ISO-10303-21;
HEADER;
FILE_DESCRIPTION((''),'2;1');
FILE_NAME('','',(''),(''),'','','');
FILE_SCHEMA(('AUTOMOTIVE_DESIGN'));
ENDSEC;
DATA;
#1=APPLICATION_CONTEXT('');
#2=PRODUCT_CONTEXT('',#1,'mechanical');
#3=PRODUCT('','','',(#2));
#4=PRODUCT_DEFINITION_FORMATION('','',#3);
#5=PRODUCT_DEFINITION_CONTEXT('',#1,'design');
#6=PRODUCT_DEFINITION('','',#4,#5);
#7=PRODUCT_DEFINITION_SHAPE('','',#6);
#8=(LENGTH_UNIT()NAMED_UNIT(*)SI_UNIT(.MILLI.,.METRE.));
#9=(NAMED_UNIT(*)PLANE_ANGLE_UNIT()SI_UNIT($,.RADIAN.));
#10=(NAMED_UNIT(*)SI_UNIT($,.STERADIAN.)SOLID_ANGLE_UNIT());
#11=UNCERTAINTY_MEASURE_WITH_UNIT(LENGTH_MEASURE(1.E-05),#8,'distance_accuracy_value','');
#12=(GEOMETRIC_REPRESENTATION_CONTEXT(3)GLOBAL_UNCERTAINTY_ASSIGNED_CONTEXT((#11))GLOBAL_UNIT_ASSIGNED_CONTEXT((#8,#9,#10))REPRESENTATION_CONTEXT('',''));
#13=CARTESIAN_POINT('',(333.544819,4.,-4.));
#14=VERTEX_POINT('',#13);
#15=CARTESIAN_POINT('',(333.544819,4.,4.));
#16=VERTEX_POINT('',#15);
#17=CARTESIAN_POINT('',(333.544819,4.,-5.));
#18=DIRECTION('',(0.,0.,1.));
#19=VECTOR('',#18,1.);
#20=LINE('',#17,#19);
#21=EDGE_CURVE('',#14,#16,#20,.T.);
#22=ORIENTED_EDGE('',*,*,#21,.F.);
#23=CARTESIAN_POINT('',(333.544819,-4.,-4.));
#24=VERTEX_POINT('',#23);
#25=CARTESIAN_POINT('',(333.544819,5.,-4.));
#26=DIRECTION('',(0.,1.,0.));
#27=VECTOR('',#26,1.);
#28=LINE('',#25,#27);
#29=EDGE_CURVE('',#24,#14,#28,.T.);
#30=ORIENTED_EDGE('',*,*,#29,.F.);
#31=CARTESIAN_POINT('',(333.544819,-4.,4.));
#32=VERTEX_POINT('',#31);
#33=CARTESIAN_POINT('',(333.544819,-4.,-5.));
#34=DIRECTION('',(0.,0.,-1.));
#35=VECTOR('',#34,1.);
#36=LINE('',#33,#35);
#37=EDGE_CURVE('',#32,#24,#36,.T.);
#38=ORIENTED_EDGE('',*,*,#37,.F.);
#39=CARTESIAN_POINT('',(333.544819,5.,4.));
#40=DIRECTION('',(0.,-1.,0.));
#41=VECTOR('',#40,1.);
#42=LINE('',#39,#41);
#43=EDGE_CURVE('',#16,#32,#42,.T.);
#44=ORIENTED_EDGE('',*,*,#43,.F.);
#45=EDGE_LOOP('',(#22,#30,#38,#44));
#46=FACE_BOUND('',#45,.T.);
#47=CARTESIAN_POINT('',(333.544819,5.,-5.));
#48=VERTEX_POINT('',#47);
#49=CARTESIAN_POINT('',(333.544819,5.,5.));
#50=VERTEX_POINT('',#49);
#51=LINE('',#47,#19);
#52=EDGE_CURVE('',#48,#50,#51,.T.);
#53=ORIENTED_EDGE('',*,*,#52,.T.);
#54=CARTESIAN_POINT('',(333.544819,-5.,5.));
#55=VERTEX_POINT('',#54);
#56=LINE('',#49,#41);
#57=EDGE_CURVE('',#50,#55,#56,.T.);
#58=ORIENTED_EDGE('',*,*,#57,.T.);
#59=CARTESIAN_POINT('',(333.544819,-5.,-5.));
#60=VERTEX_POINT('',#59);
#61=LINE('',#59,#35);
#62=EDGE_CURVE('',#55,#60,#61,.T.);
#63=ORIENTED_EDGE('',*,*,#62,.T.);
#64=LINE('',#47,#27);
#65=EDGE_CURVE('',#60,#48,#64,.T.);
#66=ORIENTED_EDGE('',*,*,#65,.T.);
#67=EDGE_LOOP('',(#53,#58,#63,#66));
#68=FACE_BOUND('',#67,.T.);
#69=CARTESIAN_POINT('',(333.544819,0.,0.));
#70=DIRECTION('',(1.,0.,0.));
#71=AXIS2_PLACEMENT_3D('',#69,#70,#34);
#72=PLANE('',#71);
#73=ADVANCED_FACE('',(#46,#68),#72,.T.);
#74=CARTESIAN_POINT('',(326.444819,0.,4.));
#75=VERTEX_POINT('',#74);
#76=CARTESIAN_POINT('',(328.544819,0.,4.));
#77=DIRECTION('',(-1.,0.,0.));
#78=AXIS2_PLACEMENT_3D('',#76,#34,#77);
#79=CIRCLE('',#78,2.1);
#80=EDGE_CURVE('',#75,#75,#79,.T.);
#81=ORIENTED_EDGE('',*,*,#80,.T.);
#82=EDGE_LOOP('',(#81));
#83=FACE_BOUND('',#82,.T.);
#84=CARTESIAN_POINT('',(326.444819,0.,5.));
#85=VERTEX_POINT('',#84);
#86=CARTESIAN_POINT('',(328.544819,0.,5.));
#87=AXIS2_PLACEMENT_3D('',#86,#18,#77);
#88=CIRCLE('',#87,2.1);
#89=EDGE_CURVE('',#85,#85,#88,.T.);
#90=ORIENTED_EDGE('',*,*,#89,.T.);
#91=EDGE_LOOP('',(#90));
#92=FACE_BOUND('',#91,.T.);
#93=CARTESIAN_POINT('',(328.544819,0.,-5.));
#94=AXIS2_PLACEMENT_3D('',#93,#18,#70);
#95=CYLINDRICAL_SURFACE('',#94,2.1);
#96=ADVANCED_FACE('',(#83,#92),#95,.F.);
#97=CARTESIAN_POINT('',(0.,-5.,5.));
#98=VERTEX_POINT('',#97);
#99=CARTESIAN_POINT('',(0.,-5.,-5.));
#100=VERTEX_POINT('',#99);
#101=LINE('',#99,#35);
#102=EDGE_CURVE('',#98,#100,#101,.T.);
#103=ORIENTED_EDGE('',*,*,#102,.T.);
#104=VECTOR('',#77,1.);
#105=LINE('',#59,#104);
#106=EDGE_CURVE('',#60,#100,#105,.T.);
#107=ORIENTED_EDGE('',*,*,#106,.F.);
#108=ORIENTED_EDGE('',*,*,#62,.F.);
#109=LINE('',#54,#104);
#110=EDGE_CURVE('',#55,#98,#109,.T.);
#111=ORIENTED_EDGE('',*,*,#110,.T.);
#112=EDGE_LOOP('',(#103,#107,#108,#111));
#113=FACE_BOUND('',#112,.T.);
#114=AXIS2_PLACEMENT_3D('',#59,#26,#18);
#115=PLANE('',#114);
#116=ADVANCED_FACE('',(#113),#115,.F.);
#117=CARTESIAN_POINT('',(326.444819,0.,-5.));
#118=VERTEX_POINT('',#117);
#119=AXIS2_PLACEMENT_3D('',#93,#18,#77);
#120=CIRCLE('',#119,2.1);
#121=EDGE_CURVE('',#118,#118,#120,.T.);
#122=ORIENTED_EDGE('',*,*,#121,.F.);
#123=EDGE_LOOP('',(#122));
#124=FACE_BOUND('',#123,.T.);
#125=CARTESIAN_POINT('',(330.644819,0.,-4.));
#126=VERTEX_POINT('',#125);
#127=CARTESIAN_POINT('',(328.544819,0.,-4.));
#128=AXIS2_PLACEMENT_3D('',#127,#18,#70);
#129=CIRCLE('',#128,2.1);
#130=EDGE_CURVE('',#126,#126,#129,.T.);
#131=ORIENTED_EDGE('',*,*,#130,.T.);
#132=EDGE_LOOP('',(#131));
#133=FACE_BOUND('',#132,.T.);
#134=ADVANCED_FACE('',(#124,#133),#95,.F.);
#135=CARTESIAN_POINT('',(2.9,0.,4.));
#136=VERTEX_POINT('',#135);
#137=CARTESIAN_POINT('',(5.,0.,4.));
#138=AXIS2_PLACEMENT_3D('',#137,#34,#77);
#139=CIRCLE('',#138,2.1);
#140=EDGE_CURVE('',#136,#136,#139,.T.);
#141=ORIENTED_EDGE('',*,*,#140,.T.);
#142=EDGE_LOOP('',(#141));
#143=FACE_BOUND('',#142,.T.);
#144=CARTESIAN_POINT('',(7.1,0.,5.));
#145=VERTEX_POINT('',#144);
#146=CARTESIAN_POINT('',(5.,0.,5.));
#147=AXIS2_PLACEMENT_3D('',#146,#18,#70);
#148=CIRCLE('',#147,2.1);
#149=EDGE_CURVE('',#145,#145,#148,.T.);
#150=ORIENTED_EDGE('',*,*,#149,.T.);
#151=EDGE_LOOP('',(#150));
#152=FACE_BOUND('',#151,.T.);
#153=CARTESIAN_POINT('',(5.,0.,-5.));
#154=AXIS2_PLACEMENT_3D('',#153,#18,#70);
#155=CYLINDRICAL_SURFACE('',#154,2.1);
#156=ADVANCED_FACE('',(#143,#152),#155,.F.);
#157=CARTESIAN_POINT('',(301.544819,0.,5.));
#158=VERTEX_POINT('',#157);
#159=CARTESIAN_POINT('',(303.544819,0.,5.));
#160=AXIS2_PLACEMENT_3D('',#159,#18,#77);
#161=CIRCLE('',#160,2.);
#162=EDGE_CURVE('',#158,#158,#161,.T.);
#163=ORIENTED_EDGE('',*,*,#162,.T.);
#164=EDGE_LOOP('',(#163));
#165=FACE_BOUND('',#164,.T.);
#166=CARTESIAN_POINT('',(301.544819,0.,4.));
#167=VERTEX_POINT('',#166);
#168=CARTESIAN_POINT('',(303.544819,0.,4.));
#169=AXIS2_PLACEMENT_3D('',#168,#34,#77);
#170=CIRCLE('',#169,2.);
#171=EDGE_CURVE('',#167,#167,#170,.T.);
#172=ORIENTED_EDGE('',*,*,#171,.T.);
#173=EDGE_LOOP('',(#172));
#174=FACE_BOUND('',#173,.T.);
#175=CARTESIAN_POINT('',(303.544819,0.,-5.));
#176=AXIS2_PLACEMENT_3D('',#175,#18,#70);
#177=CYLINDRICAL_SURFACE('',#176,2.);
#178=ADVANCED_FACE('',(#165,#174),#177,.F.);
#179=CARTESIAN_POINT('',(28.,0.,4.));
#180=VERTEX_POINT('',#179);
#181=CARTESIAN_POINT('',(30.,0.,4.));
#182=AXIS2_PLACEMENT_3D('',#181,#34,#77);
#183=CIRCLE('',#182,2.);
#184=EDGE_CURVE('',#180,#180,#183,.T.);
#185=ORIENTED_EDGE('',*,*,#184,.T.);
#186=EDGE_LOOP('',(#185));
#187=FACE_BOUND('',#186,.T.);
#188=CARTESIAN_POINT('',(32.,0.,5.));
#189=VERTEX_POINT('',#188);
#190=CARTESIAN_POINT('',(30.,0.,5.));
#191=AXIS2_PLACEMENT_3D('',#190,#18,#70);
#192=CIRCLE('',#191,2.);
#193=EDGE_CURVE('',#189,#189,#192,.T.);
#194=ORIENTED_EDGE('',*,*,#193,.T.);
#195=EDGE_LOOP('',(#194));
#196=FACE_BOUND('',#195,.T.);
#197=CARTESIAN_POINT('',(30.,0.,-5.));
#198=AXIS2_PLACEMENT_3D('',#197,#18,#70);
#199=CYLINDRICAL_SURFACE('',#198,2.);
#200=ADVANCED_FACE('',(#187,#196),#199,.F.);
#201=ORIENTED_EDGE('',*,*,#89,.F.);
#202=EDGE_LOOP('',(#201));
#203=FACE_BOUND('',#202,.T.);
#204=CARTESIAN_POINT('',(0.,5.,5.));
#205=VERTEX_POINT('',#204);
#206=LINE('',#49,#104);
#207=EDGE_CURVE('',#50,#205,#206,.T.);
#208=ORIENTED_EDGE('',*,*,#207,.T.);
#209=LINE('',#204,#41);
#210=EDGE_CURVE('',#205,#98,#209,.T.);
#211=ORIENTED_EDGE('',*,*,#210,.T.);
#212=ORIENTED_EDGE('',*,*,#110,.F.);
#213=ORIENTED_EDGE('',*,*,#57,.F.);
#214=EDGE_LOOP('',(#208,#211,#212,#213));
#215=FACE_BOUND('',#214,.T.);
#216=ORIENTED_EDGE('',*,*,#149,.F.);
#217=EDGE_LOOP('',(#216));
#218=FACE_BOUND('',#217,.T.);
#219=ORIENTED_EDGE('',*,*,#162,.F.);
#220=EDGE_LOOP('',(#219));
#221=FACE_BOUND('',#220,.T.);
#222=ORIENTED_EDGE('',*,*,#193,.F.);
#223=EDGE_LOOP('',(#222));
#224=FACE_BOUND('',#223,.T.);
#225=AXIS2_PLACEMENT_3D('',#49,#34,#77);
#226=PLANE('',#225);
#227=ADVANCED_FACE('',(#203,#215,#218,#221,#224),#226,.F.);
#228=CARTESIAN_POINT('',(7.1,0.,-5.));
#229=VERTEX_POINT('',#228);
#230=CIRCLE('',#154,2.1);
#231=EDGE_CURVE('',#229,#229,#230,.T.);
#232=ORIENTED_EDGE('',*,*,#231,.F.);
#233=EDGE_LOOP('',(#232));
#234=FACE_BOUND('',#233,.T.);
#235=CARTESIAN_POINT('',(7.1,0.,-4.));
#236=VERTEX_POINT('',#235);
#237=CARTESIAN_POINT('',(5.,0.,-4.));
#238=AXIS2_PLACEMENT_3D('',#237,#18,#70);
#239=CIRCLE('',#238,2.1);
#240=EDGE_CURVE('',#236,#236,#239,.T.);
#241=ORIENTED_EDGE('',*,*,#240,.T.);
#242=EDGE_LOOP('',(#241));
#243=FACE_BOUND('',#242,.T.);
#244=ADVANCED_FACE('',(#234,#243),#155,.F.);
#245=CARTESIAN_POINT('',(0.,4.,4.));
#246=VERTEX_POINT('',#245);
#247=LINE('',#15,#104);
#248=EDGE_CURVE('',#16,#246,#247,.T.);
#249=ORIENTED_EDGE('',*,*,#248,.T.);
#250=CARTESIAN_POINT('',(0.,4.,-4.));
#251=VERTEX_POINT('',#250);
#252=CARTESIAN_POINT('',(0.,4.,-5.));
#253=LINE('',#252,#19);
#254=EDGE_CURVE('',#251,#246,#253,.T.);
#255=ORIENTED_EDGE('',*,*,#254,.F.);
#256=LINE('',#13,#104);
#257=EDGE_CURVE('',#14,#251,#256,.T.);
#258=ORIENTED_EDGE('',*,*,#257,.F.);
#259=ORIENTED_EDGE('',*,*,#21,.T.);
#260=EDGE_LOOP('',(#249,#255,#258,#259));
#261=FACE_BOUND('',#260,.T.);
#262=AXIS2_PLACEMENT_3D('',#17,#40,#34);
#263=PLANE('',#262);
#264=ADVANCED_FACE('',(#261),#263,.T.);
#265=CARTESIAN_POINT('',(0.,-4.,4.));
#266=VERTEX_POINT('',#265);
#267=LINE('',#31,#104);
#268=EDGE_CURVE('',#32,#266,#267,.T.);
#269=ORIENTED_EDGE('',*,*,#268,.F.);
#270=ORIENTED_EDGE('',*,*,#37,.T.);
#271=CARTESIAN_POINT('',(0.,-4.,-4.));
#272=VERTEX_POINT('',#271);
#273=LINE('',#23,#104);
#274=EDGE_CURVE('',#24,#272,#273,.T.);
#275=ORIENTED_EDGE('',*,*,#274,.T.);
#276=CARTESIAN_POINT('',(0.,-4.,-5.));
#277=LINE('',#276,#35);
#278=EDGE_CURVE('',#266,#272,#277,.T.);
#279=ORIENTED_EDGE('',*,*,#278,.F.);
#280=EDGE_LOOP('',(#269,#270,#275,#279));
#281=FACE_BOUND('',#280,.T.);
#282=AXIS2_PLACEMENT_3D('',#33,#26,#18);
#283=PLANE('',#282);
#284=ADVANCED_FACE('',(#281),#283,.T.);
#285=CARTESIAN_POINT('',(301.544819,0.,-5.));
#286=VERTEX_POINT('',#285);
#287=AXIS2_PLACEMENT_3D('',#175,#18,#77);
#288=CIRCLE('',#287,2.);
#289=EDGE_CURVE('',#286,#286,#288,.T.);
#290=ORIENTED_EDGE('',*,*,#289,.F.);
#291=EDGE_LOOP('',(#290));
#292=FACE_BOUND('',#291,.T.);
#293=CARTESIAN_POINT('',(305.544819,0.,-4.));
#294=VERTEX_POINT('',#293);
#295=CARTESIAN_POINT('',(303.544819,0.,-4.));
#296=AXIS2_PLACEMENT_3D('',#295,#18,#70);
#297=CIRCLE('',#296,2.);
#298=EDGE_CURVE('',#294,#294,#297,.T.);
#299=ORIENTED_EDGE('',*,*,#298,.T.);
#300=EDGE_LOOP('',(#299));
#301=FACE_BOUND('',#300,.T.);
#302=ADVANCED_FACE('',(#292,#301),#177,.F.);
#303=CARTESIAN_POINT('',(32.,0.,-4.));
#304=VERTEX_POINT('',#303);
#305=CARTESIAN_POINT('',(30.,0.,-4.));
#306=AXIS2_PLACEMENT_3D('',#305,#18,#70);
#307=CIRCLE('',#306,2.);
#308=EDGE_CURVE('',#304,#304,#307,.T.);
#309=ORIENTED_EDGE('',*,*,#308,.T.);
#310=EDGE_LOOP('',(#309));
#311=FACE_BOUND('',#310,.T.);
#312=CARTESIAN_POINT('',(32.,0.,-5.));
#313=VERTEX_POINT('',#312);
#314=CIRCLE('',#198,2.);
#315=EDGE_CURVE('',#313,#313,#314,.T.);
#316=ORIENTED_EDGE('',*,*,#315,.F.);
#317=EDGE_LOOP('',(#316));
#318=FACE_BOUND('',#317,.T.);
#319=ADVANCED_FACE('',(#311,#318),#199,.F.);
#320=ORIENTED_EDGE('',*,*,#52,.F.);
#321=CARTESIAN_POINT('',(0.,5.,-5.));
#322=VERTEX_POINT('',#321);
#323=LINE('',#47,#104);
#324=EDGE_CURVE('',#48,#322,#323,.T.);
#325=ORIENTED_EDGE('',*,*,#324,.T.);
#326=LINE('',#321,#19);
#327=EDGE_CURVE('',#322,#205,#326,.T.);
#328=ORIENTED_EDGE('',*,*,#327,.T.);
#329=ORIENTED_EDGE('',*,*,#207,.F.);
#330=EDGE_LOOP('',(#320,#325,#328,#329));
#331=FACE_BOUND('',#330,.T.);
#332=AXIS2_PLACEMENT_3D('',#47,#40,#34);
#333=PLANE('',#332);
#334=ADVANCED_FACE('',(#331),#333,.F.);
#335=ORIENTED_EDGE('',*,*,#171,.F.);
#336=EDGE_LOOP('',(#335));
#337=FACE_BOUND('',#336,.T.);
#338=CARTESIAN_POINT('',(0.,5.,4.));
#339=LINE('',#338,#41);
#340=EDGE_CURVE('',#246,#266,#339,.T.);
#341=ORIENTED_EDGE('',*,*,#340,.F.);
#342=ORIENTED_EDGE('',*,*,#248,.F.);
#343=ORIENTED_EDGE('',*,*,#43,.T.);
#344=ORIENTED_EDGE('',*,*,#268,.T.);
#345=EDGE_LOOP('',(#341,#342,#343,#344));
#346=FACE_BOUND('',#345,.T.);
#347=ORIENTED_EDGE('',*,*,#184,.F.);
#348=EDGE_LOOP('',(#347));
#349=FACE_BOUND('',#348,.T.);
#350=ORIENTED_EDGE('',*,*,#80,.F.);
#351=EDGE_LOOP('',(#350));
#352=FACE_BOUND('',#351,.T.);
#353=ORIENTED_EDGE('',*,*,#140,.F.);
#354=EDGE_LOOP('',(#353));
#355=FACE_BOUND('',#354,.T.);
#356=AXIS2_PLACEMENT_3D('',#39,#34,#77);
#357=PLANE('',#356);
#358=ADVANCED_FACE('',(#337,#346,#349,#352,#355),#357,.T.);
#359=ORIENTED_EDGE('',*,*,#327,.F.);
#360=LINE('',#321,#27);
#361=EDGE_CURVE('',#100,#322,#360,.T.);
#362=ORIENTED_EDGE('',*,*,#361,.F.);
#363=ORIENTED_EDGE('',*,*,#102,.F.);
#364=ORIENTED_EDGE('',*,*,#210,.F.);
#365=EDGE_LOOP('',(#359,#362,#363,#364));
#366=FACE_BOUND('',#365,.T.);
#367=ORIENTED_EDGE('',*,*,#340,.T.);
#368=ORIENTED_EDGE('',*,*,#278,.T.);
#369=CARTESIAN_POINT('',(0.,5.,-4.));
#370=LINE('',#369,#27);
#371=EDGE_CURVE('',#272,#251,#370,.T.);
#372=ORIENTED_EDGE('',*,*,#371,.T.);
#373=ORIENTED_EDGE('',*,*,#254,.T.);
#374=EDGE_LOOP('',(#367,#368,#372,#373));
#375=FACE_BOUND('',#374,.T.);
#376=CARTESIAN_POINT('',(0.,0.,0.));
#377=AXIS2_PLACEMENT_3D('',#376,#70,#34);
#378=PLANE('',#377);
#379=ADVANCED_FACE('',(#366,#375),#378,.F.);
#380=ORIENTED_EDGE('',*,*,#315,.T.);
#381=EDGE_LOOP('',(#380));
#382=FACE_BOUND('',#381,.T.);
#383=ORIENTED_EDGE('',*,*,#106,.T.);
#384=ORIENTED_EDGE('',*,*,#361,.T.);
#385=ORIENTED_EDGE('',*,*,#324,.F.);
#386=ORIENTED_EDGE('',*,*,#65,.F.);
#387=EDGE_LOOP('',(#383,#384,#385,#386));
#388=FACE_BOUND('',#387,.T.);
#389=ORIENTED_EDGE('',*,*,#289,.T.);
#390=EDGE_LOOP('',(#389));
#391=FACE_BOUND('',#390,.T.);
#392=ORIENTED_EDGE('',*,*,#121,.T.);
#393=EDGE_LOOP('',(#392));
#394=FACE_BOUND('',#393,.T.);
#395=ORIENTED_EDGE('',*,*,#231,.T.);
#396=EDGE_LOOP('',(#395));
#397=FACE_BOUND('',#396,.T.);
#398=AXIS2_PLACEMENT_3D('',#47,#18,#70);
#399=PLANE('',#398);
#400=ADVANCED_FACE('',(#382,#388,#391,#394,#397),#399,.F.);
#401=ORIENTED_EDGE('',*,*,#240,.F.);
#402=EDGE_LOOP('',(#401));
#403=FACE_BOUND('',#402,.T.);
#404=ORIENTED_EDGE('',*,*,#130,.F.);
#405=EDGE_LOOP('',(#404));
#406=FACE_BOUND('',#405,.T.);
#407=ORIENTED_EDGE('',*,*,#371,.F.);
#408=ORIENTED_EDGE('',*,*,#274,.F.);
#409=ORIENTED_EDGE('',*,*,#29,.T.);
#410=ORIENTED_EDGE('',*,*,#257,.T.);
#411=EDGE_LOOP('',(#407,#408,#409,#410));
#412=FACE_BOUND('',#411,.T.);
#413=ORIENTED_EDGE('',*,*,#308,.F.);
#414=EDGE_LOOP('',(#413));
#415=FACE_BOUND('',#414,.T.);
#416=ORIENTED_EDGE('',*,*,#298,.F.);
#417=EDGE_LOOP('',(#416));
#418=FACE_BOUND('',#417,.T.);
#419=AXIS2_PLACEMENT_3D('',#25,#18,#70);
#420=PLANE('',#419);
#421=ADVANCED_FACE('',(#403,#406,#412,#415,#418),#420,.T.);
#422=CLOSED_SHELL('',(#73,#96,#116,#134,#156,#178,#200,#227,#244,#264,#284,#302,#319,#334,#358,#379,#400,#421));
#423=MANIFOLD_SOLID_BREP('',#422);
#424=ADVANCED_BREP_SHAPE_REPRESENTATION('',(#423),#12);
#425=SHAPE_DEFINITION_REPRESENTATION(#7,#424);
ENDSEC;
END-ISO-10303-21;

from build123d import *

# Parameters (mm, degrees)
SKETCH_1_W          = 10
SKETCH_1_H          = 10
SKETCH_1_W_2        = 8
SKETCH_1_H_2        = 8
EXTRUDE_1_DEPTH     = 333.544819152
SKETCH_2_R          = 2.1
SKETCH_2_R_2        = 2
CUT_EXTRUDE_1_DEPTH = 334.732147662


with BuildPart() as part:
    # ｽｹｯﾁ1 → 押し出し-薄板1 (new body)
    with BuildSketch(Plane(origin=(0, 0, 0), x_dir=(0, -1, 0), z_dir=(1, 0, 0))):
        Rectangle(SKETCH_1_W, SKETCH_1_H)
        Rectangle(SKETCH_1_W_2, SKETCH_1_H_2, mode=Mode.SUBTRACT)
    extrude(amount=EXTRUDE_1_DEPTH)

    # ｽｹｯﾁ2 → ｶｯﾄ - 押し出し1 (cut, through all)
    with BuildSketch(Plane.XY.offset(5)):
        with Locations((5, 0)):
            Circle(SKETCH_2_R)
        with Locations(Location((328.544819152, 0, 0), (0, 0, 180))):
            Circle(SKETCH_2_R)
        with Locations((30, 0)):
            Circle(SKETCH_2_R_2)
        with Locations(Location((303.544819152, 0, 0), (0, 0, 180))):
            Circle(SKETCH_2_R_2)
    extrude(amount=-CUT_EXTRUDE_1_DEPTH, mode=Mode.SUBTRACT)


solid = part.part
